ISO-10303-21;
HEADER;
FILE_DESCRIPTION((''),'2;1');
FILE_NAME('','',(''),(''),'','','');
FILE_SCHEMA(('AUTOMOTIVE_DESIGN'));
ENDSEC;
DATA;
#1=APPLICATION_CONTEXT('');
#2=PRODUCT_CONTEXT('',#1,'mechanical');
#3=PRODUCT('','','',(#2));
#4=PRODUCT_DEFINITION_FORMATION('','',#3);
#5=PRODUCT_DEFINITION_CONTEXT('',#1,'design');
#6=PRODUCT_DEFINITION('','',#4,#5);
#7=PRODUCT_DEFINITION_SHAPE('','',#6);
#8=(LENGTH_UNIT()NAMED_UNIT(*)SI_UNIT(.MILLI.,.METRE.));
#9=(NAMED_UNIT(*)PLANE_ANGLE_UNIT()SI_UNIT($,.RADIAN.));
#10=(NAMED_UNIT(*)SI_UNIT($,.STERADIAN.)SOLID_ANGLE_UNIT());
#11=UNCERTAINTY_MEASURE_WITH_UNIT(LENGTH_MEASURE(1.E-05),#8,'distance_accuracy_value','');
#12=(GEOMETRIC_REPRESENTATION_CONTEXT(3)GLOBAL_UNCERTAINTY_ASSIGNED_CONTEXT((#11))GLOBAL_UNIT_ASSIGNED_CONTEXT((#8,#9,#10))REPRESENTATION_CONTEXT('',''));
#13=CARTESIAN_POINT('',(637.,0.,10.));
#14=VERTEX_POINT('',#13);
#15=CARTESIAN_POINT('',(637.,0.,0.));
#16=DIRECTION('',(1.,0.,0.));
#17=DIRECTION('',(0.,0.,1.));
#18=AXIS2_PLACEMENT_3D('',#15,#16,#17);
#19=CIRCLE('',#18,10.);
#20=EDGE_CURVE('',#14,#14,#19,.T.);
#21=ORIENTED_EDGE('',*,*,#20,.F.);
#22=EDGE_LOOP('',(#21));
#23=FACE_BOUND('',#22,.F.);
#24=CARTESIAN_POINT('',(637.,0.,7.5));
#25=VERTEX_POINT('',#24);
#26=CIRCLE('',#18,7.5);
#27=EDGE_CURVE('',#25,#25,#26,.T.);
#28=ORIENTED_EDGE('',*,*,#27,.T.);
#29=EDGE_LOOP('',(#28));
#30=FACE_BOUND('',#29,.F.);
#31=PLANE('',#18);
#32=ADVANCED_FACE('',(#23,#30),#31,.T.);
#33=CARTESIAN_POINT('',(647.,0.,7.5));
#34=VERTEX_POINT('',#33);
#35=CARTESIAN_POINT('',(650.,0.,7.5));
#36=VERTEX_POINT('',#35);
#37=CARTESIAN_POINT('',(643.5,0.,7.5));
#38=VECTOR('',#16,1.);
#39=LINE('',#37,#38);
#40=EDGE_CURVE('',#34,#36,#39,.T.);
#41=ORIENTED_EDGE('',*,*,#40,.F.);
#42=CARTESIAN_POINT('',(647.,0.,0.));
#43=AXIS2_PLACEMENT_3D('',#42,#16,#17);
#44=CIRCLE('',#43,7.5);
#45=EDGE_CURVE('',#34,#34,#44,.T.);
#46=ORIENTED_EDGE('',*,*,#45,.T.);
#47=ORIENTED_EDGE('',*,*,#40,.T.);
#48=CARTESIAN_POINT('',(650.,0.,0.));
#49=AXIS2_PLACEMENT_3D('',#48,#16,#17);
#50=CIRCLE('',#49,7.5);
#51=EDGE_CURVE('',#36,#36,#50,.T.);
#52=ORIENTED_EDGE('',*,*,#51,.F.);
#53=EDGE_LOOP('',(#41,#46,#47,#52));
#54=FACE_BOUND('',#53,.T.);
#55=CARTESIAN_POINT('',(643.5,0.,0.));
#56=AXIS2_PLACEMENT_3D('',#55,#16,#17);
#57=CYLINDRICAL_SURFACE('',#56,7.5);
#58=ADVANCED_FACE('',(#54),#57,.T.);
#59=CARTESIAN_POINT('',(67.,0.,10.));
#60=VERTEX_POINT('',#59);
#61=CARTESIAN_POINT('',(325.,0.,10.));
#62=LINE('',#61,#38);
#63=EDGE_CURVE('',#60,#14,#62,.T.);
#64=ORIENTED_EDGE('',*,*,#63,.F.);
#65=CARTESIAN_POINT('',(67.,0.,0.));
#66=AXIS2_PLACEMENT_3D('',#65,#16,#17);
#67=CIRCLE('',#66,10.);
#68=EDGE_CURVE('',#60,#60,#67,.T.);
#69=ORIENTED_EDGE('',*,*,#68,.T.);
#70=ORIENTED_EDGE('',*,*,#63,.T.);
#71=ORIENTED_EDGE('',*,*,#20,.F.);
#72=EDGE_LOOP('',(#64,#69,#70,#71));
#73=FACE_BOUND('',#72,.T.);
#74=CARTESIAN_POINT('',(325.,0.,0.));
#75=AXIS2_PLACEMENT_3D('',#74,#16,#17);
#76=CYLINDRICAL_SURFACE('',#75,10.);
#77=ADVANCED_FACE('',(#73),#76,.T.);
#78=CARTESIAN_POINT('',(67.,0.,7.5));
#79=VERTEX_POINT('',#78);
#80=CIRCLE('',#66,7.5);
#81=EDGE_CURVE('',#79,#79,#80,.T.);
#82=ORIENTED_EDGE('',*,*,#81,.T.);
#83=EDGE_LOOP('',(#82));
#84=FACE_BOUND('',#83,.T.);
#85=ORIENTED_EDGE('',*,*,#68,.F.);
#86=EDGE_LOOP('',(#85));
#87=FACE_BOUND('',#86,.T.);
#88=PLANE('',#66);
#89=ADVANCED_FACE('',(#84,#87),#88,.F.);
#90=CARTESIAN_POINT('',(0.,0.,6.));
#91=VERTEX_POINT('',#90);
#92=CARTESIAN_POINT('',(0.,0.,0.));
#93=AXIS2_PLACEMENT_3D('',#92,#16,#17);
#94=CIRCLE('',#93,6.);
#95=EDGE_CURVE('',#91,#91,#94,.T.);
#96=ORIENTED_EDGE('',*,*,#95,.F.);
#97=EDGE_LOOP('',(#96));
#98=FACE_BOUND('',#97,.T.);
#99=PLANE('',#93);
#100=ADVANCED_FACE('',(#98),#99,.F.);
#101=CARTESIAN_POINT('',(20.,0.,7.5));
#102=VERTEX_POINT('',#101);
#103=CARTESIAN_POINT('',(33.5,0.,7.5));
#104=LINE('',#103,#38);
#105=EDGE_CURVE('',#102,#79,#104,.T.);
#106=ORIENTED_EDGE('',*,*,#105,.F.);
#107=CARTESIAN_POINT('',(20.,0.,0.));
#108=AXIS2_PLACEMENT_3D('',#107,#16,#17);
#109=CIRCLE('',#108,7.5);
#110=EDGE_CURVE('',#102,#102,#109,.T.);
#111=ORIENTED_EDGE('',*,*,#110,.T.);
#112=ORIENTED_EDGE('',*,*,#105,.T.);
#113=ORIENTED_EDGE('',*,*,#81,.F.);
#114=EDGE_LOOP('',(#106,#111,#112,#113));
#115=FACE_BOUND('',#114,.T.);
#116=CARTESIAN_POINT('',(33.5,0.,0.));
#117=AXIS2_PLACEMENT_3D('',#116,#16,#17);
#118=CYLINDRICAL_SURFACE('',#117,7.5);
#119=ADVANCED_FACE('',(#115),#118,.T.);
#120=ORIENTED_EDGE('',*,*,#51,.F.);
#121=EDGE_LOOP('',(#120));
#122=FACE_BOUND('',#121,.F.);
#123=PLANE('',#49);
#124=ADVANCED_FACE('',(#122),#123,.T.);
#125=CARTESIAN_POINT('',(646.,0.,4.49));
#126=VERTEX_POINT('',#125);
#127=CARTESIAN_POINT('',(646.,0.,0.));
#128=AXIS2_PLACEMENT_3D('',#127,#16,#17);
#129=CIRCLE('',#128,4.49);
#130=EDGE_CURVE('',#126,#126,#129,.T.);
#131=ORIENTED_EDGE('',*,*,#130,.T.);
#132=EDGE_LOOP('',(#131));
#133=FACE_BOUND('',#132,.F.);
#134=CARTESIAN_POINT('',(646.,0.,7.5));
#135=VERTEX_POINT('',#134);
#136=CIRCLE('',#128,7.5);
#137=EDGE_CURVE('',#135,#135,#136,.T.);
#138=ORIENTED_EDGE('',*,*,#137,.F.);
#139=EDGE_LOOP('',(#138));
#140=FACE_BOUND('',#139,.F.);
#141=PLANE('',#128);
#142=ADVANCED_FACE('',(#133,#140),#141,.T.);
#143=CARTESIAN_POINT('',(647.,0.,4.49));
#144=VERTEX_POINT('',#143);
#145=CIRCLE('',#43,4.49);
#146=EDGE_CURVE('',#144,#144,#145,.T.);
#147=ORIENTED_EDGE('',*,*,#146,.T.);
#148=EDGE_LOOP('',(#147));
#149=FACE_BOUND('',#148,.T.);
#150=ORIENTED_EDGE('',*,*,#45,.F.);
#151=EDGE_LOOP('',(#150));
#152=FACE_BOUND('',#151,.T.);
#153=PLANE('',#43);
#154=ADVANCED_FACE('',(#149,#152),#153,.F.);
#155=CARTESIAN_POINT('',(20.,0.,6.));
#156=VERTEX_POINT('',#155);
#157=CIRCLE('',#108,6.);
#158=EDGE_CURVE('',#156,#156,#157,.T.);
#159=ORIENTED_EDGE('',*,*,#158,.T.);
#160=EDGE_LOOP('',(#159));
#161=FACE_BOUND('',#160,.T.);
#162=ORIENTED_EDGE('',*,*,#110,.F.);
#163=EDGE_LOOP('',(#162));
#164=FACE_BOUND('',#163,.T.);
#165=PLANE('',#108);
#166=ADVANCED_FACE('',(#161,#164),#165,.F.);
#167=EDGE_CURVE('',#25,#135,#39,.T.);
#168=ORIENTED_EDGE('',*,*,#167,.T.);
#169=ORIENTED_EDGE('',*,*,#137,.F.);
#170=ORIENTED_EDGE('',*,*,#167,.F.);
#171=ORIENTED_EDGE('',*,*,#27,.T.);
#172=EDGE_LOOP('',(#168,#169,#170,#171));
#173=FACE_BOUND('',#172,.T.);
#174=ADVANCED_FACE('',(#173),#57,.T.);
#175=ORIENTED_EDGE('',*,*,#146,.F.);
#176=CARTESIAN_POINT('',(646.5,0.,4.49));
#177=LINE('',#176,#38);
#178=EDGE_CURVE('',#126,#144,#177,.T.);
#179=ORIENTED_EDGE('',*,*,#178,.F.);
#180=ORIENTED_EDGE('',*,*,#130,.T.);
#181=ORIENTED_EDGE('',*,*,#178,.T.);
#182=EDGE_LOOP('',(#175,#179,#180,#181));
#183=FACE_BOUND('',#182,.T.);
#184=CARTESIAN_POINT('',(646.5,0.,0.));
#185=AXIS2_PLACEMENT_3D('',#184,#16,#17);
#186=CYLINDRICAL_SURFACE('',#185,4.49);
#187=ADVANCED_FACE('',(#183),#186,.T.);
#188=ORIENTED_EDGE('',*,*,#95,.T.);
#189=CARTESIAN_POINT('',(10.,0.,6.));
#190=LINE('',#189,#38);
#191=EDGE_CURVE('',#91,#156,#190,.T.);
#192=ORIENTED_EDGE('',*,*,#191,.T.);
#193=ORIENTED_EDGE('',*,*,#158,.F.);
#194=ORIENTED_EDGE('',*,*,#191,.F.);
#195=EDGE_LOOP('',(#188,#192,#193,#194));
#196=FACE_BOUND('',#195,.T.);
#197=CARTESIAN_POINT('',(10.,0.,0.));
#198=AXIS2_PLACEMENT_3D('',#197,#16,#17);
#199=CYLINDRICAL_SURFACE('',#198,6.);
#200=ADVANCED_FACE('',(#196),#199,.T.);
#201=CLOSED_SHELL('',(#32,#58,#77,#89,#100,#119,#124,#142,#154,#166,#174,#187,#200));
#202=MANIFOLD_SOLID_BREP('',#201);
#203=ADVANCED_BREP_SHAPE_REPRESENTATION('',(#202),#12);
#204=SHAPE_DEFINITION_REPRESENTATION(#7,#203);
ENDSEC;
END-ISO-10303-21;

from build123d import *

# Parameters (mm, degrees)
SKETCH_W      = 650
SKETCH_H      = 10
SKETCH001_W   = 67
SKETCH001_H   = 2.5
SKETCH002_W   = 20
SKETCH002_H   = 1.5
SKETCH003_W   = 13
SKETCH003_H   = 2.5
SKETCH003_W_2 = 1
SKETCH003_H_2 = 3.01


with BuildPart() as part:
    # Sketch → Revolution (revolve)
    with BuildSketch(Plane.XZ):
        with Locations((325, 5)):
            Rectangle(SKETCH_W, SKETCH_H)
    revolve(axis=Axis((0, 0, 0), (1, 0, 0)))

    # Sketch001 → Groove (revolve, cut)
    with BuildSketch(Plane.XZ):
        with Locations((33.5, 8.75)):
            Rectangle(SKETCH001_W, SKETCH001_H)
    revolve(axis=Axis((0, 0, 0), (1, 0, 0)), mode=Mode.SUBTRACT)

    # Sketch002 → Groove001 (revolve, cut)
    with BuildSketch(Plane.XZ):
        with Locations((10, 6.75)):
            Rectangle(SKETCH002_W, SKETCH002_H)
    revolve(axis=Axis((0, 0, 0), (1, 0, 0)), mode=Mode.SUBTRACT)

    # Sketch003 → Groove002 (revolve, cut)
    with BuildSketch(Plane.XZ):
        with Locations((643.5, 8.75)):
            Rectangle(SKETCH003_W, SKETCH003_H)
        with Locations((646.5, 5.995)):
            Rectangle(SKETCH003_W_2, SKETCH003_H_2)
    revolve(axis=Axis((0, 0, 0), (1, 0, 0)), mode=Mode.SUBTRACT)


solid = part.part
